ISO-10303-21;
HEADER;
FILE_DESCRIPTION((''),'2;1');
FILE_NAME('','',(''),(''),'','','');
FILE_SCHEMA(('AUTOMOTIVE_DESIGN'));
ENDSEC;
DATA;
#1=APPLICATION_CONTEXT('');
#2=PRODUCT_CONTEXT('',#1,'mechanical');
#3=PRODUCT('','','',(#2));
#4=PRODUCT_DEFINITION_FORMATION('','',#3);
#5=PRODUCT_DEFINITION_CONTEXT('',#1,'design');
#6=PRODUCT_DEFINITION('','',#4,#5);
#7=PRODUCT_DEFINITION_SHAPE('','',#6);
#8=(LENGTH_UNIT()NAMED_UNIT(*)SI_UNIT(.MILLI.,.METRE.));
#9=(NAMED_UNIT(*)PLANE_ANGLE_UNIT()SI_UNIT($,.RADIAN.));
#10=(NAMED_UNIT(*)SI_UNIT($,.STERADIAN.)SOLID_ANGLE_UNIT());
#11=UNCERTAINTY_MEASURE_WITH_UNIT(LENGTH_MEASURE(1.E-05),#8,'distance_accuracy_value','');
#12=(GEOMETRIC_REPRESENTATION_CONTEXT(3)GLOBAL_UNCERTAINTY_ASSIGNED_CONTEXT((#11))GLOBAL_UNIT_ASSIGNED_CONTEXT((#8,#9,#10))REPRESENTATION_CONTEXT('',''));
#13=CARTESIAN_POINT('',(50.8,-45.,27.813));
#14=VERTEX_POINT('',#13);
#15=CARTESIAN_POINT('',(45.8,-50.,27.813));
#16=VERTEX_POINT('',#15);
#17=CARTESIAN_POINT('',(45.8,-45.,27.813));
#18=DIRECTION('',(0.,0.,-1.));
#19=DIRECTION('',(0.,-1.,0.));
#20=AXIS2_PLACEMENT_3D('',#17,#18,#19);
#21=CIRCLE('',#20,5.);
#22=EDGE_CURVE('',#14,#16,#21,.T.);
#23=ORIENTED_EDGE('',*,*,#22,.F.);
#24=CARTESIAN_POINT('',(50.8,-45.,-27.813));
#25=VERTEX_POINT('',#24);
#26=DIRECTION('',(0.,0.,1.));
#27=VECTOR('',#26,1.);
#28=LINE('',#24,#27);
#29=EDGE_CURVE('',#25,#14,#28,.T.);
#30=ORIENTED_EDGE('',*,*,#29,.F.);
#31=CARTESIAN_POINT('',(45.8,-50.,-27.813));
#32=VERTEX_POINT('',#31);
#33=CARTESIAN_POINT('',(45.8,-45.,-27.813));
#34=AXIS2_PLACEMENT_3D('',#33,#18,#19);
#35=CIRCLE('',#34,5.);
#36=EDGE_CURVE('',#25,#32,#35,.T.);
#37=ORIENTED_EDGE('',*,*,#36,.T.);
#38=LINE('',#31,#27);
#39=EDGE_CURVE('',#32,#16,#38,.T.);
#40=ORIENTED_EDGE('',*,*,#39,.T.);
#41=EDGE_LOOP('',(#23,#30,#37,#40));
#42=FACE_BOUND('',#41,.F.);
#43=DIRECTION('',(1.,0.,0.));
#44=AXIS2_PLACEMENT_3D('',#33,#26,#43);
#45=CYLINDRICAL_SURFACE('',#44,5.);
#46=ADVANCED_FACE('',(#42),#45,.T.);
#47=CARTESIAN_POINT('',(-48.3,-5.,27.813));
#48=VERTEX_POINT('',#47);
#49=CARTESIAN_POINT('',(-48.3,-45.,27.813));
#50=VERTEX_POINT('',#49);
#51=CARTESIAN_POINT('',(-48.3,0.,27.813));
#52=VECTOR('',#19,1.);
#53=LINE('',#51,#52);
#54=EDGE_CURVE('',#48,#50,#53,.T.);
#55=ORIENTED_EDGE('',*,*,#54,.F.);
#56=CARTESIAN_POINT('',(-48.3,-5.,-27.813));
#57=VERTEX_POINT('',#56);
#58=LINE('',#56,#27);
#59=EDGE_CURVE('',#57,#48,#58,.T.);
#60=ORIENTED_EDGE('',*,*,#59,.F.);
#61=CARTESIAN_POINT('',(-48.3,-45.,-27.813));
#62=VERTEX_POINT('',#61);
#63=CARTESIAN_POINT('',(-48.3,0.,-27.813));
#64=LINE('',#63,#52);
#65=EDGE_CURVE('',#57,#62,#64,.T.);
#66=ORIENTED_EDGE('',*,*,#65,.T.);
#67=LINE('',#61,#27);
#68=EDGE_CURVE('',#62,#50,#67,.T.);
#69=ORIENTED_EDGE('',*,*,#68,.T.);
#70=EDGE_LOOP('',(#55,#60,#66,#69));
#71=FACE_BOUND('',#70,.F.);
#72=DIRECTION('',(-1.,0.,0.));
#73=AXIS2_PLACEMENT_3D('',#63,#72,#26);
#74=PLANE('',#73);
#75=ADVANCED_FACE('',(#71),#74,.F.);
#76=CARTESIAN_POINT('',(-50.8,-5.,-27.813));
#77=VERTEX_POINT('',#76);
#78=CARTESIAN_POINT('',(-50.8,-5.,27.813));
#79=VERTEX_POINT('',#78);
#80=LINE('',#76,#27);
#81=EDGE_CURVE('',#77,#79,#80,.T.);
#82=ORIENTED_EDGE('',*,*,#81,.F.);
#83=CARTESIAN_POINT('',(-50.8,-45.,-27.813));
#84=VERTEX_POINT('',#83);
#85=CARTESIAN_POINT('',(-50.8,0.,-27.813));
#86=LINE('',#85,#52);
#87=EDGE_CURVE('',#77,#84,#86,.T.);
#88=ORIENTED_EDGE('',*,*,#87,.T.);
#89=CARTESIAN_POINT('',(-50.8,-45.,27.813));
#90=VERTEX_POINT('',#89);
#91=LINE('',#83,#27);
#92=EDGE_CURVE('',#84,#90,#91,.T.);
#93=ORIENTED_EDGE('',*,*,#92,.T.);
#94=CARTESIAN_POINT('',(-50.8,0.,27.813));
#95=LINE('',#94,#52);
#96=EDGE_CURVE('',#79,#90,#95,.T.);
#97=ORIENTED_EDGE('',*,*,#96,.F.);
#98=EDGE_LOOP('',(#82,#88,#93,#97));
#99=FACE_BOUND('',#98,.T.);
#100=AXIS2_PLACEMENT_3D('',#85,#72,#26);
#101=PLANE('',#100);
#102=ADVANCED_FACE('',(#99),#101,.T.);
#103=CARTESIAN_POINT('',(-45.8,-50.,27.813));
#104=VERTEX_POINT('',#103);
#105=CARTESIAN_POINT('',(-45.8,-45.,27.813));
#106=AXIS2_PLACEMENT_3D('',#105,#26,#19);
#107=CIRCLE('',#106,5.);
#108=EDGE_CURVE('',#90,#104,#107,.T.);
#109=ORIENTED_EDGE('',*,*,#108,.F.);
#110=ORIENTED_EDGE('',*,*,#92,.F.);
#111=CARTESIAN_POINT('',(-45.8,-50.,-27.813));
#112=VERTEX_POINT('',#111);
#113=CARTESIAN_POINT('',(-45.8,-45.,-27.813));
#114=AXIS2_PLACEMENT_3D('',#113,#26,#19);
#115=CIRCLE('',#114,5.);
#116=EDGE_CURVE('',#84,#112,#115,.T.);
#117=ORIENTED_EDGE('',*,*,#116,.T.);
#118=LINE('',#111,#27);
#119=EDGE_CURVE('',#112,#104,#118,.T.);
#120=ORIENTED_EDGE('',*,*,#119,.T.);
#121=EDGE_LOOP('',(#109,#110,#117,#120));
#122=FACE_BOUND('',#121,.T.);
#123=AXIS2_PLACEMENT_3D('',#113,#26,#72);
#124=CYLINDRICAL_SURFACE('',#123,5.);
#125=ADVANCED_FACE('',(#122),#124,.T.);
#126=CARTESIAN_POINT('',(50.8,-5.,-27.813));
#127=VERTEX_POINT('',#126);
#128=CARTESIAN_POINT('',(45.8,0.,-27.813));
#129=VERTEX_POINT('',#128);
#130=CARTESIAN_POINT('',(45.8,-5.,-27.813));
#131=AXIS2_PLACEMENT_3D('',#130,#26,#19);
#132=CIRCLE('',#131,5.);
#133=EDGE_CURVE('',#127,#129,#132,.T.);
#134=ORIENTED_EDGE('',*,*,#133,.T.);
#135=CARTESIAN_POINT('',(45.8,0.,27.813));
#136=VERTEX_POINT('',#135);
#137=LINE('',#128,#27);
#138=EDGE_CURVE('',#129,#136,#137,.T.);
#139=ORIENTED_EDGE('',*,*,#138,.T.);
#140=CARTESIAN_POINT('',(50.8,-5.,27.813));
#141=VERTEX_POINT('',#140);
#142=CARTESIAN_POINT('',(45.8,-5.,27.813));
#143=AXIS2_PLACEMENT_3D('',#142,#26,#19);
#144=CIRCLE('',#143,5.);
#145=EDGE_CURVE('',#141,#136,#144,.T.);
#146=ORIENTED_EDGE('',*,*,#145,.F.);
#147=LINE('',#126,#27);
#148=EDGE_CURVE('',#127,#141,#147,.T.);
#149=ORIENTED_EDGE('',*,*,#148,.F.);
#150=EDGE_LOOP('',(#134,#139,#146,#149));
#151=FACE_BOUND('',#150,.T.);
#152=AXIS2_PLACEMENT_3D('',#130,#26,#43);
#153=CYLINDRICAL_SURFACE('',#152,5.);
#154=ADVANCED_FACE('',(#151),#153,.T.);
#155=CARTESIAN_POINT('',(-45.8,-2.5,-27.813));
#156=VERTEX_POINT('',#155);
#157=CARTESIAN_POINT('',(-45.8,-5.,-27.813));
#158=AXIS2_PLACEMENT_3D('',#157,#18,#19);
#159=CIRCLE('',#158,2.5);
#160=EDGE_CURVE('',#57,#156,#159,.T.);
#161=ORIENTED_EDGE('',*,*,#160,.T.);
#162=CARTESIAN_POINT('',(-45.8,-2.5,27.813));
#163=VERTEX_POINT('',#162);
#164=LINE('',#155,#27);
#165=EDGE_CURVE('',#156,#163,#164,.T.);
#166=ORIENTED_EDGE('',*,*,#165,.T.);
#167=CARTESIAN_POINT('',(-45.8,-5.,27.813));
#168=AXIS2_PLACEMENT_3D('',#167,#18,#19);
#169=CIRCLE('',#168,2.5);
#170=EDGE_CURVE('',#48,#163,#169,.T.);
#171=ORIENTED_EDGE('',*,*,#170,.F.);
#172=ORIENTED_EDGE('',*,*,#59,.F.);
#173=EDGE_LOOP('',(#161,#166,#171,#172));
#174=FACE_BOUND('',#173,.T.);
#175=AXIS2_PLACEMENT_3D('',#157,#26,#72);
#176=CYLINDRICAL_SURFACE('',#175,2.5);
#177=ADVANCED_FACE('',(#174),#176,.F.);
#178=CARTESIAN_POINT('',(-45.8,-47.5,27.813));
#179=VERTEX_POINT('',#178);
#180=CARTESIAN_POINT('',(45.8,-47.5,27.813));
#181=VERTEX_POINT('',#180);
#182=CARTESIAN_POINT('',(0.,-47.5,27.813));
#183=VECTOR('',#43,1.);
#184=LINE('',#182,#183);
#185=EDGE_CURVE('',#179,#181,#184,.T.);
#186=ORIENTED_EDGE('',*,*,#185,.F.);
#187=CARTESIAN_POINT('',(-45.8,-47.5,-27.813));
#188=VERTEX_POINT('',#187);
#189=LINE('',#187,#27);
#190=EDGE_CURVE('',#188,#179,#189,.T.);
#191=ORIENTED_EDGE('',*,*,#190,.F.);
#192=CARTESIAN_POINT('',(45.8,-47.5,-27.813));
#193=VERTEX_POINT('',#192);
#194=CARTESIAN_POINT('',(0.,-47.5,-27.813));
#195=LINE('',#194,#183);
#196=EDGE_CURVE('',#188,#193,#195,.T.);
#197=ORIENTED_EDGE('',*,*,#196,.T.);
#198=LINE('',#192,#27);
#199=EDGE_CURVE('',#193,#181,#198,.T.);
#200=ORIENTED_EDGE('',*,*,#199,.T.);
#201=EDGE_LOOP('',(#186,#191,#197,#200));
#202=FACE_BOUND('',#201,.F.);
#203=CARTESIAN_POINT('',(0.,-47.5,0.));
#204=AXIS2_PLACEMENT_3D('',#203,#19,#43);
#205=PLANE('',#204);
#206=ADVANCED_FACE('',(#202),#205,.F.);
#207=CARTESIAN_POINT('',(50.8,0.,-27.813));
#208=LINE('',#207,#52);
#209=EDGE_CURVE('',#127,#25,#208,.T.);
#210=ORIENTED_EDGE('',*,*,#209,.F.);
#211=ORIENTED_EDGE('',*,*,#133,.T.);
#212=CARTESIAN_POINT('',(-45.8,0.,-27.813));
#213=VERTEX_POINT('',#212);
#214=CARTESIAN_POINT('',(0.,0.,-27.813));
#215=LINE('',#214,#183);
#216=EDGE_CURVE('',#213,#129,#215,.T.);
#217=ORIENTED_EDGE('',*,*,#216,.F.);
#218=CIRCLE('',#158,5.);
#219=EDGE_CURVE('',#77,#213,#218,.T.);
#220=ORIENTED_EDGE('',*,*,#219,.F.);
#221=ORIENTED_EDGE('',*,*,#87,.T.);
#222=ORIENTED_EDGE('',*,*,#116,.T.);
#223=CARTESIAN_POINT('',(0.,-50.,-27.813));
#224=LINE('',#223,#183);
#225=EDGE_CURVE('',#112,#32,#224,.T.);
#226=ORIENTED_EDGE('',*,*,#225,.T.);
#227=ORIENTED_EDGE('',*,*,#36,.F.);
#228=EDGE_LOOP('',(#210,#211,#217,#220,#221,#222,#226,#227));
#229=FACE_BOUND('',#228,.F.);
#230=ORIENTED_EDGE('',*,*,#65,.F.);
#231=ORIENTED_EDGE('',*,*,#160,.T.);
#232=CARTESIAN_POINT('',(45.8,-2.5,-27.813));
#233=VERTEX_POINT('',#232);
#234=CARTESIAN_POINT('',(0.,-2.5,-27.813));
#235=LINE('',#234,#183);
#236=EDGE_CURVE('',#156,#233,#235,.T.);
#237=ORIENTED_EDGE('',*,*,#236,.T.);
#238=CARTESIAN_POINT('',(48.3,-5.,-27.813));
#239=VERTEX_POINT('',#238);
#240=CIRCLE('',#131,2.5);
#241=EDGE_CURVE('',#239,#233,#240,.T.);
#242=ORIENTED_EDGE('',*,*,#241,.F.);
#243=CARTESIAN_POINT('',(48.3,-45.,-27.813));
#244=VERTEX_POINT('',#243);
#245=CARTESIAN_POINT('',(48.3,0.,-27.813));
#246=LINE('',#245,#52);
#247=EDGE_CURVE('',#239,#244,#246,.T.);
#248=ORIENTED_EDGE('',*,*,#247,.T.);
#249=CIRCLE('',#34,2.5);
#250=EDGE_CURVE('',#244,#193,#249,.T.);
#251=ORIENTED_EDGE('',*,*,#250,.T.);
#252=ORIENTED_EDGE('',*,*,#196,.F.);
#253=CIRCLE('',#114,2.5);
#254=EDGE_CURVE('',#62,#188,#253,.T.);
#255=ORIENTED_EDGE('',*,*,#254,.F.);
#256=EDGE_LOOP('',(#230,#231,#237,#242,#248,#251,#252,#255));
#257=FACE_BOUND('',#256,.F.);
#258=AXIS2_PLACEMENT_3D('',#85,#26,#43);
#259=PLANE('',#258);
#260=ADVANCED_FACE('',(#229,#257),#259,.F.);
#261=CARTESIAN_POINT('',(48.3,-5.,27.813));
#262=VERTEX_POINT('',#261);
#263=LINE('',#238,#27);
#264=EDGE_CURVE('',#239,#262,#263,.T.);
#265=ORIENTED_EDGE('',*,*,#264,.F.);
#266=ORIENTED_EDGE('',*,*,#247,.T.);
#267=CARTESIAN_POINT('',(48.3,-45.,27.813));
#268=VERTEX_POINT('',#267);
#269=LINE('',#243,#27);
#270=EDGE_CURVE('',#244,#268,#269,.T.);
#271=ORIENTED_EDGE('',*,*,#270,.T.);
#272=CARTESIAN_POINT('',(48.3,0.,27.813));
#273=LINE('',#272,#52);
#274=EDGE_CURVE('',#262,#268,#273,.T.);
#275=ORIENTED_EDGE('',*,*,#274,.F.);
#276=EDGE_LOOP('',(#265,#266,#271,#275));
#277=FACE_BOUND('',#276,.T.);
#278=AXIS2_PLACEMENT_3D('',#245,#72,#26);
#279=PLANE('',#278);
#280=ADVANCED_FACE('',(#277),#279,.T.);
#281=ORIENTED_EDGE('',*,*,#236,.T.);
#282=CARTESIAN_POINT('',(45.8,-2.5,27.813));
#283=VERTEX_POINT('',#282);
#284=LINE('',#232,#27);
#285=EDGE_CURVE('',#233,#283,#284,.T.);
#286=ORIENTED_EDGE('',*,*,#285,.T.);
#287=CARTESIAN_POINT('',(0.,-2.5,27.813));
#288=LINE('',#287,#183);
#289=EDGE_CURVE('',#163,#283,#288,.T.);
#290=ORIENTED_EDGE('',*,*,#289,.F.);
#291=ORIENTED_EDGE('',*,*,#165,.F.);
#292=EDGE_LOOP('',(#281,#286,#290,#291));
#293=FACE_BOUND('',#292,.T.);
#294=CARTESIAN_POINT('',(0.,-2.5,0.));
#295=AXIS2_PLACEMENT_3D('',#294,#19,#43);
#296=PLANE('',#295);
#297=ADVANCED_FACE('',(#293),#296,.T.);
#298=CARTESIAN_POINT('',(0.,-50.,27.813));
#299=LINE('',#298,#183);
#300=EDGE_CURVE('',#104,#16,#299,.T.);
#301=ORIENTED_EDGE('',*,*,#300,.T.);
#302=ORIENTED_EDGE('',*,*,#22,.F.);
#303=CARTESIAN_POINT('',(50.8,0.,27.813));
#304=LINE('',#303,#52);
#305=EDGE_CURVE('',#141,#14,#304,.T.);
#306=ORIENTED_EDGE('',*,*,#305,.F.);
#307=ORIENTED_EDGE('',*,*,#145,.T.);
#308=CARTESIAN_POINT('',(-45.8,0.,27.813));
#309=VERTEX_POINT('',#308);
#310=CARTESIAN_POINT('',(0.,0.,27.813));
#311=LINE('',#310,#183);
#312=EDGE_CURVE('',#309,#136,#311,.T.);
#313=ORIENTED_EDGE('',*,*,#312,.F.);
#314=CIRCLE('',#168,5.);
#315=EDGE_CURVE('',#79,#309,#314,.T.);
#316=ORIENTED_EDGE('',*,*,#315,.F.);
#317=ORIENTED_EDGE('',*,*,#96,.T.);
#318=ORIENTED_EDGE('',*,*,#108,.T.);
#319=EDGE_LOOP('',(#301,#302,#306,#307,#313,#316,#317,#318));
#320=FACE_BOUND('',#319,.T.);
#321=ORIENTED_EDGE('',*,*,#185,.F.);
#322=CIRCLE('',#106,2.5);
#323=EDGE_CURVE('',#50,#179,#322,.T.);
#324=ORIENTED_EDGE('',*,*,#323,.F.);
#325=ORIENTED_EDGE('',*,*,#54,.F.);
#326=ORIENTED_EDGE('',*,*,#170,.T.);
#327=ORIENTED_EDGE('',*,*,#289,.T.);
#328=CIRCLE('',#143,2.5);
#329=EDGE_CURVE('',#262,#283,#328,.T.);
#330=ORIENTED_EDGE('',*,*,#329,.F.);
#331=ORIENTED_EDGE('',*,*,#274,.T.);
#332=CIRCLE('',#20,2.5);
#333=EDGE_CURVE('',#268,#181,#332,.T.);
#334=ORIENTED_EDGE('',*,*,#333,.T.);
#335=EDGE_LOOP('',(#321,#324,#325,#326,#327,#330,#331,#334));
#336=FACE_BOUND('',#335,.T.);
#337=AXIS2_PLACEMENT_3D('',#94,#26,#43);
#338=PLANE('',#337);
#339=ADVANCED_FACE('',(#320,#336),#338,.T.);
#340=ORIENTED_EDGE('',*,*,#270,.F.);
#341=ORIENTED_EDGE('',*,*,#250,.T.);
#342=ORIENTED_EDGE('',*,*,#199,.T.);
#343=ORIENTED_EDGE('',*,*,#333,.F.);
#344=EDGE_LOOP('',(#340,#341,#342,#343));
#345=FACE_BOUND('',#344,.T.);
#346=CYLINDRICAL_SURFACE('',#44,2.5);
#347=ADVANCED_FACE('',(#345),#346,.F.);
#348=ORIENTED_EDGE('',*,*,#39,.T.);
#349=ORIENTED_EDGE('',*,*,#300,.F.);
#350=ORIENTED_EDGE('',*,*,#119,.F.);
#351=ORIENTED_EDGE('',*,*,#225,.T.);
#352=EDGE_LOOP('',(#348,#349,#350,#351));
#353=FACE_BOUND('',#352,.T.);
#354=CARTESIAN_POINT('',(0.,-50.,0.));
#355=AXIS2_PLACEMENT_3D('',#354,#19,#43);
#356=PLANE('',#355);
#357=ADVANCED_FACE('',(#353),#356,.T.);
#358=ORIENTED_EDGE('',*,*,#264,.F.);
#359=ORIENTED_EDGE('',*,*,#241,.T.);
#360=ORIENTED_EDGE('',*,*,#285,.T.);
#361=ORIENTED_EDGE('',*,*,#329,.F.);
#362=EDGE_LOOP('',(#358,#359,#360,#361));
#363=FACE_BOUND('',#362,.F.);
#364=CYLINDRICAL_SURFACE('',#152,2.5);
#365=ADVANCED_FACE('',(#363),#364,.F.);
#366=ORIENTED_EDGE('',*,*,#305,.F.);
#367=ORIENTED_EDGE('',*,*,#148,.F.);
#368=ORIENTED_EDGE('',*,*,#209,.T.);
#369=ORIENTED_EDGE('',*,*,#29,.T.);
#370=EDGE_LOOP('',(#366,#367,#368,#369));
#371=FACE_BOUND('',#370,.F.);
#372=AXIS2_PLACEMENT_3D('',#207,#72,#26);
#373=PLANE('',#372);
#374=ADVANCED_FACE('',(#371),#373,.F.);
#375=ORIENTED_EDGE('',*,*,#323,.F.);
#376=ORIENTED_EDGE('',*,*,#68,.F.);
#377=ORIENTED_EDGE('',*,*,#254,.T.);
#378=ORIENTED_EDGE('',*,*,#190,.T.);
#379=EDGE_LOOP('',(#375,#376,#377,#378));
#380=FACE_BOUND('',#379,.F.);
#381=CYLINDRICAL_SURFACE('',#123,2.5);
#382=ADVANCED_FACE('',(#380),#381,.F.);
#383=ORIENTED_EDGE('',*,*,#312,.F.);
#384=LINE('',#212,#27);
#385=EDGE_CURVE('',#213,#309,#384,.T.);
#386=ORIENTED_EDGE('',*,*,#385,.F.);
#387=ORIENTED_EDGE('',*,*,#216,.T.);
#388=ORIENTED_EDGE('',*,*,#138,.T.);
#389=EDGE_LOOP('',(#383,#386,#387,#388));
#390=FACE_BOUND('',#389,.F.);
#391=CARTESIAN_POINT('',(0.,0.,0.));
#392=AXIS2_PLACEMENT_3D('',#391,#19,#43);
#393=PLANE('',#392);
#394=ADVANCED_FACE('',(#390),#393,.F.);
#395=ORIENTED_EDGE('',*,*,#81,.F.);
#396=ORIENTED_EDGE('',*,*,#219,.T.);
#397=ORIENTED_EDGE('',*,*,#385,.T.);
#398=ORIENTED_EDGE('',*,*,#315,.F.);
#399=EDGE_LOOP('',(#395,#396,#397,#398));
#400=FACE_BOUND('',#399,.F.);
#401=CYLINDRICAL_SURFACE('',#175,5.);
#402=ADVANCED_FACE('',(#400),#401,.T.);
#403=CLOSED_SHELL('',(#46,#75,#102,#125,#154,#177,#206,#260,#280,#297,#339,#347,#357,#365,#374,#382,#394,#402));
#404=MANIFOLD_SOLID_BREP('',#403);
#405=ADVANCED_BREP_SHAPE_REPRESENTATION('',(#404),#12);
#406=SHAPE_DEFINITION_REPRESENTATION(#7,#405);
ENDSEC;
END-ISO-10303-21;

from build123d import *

# Parameters (mm, degrees)
F0_W     = 101.6
F0_H     = 55.626
F1_DEPTH = 50
F2_R     = 5
F3_T     = -2.5


with BuildPart() as f1:
    # F0 (on Front) → F1 (new body)
    with BuildSketch(Plane.XZ):
        Rectangle(F0_W, F0_H)
    extrude(amount=F1_DEPTH)

    # F2
    f2_edges = [f1.edges().sort_by_distance(p)[0] for p in [
        (-50.8, -50, 0),
        (50.8, -50, 0),
        (50.8, 0, 0),
        (-50.8, 0, 0),
    ]]
    fillet(f2_edges, radius=F2_R)

    # F3
    f3_openings = [f1.faces().sort_by_distance(p)[0] for p in [
        (0, -25, 27.813),
        (0, -25, -27.813),
    ]]
    offset(amount=F3_T, openings=f3_openings)


solid = f1.part
